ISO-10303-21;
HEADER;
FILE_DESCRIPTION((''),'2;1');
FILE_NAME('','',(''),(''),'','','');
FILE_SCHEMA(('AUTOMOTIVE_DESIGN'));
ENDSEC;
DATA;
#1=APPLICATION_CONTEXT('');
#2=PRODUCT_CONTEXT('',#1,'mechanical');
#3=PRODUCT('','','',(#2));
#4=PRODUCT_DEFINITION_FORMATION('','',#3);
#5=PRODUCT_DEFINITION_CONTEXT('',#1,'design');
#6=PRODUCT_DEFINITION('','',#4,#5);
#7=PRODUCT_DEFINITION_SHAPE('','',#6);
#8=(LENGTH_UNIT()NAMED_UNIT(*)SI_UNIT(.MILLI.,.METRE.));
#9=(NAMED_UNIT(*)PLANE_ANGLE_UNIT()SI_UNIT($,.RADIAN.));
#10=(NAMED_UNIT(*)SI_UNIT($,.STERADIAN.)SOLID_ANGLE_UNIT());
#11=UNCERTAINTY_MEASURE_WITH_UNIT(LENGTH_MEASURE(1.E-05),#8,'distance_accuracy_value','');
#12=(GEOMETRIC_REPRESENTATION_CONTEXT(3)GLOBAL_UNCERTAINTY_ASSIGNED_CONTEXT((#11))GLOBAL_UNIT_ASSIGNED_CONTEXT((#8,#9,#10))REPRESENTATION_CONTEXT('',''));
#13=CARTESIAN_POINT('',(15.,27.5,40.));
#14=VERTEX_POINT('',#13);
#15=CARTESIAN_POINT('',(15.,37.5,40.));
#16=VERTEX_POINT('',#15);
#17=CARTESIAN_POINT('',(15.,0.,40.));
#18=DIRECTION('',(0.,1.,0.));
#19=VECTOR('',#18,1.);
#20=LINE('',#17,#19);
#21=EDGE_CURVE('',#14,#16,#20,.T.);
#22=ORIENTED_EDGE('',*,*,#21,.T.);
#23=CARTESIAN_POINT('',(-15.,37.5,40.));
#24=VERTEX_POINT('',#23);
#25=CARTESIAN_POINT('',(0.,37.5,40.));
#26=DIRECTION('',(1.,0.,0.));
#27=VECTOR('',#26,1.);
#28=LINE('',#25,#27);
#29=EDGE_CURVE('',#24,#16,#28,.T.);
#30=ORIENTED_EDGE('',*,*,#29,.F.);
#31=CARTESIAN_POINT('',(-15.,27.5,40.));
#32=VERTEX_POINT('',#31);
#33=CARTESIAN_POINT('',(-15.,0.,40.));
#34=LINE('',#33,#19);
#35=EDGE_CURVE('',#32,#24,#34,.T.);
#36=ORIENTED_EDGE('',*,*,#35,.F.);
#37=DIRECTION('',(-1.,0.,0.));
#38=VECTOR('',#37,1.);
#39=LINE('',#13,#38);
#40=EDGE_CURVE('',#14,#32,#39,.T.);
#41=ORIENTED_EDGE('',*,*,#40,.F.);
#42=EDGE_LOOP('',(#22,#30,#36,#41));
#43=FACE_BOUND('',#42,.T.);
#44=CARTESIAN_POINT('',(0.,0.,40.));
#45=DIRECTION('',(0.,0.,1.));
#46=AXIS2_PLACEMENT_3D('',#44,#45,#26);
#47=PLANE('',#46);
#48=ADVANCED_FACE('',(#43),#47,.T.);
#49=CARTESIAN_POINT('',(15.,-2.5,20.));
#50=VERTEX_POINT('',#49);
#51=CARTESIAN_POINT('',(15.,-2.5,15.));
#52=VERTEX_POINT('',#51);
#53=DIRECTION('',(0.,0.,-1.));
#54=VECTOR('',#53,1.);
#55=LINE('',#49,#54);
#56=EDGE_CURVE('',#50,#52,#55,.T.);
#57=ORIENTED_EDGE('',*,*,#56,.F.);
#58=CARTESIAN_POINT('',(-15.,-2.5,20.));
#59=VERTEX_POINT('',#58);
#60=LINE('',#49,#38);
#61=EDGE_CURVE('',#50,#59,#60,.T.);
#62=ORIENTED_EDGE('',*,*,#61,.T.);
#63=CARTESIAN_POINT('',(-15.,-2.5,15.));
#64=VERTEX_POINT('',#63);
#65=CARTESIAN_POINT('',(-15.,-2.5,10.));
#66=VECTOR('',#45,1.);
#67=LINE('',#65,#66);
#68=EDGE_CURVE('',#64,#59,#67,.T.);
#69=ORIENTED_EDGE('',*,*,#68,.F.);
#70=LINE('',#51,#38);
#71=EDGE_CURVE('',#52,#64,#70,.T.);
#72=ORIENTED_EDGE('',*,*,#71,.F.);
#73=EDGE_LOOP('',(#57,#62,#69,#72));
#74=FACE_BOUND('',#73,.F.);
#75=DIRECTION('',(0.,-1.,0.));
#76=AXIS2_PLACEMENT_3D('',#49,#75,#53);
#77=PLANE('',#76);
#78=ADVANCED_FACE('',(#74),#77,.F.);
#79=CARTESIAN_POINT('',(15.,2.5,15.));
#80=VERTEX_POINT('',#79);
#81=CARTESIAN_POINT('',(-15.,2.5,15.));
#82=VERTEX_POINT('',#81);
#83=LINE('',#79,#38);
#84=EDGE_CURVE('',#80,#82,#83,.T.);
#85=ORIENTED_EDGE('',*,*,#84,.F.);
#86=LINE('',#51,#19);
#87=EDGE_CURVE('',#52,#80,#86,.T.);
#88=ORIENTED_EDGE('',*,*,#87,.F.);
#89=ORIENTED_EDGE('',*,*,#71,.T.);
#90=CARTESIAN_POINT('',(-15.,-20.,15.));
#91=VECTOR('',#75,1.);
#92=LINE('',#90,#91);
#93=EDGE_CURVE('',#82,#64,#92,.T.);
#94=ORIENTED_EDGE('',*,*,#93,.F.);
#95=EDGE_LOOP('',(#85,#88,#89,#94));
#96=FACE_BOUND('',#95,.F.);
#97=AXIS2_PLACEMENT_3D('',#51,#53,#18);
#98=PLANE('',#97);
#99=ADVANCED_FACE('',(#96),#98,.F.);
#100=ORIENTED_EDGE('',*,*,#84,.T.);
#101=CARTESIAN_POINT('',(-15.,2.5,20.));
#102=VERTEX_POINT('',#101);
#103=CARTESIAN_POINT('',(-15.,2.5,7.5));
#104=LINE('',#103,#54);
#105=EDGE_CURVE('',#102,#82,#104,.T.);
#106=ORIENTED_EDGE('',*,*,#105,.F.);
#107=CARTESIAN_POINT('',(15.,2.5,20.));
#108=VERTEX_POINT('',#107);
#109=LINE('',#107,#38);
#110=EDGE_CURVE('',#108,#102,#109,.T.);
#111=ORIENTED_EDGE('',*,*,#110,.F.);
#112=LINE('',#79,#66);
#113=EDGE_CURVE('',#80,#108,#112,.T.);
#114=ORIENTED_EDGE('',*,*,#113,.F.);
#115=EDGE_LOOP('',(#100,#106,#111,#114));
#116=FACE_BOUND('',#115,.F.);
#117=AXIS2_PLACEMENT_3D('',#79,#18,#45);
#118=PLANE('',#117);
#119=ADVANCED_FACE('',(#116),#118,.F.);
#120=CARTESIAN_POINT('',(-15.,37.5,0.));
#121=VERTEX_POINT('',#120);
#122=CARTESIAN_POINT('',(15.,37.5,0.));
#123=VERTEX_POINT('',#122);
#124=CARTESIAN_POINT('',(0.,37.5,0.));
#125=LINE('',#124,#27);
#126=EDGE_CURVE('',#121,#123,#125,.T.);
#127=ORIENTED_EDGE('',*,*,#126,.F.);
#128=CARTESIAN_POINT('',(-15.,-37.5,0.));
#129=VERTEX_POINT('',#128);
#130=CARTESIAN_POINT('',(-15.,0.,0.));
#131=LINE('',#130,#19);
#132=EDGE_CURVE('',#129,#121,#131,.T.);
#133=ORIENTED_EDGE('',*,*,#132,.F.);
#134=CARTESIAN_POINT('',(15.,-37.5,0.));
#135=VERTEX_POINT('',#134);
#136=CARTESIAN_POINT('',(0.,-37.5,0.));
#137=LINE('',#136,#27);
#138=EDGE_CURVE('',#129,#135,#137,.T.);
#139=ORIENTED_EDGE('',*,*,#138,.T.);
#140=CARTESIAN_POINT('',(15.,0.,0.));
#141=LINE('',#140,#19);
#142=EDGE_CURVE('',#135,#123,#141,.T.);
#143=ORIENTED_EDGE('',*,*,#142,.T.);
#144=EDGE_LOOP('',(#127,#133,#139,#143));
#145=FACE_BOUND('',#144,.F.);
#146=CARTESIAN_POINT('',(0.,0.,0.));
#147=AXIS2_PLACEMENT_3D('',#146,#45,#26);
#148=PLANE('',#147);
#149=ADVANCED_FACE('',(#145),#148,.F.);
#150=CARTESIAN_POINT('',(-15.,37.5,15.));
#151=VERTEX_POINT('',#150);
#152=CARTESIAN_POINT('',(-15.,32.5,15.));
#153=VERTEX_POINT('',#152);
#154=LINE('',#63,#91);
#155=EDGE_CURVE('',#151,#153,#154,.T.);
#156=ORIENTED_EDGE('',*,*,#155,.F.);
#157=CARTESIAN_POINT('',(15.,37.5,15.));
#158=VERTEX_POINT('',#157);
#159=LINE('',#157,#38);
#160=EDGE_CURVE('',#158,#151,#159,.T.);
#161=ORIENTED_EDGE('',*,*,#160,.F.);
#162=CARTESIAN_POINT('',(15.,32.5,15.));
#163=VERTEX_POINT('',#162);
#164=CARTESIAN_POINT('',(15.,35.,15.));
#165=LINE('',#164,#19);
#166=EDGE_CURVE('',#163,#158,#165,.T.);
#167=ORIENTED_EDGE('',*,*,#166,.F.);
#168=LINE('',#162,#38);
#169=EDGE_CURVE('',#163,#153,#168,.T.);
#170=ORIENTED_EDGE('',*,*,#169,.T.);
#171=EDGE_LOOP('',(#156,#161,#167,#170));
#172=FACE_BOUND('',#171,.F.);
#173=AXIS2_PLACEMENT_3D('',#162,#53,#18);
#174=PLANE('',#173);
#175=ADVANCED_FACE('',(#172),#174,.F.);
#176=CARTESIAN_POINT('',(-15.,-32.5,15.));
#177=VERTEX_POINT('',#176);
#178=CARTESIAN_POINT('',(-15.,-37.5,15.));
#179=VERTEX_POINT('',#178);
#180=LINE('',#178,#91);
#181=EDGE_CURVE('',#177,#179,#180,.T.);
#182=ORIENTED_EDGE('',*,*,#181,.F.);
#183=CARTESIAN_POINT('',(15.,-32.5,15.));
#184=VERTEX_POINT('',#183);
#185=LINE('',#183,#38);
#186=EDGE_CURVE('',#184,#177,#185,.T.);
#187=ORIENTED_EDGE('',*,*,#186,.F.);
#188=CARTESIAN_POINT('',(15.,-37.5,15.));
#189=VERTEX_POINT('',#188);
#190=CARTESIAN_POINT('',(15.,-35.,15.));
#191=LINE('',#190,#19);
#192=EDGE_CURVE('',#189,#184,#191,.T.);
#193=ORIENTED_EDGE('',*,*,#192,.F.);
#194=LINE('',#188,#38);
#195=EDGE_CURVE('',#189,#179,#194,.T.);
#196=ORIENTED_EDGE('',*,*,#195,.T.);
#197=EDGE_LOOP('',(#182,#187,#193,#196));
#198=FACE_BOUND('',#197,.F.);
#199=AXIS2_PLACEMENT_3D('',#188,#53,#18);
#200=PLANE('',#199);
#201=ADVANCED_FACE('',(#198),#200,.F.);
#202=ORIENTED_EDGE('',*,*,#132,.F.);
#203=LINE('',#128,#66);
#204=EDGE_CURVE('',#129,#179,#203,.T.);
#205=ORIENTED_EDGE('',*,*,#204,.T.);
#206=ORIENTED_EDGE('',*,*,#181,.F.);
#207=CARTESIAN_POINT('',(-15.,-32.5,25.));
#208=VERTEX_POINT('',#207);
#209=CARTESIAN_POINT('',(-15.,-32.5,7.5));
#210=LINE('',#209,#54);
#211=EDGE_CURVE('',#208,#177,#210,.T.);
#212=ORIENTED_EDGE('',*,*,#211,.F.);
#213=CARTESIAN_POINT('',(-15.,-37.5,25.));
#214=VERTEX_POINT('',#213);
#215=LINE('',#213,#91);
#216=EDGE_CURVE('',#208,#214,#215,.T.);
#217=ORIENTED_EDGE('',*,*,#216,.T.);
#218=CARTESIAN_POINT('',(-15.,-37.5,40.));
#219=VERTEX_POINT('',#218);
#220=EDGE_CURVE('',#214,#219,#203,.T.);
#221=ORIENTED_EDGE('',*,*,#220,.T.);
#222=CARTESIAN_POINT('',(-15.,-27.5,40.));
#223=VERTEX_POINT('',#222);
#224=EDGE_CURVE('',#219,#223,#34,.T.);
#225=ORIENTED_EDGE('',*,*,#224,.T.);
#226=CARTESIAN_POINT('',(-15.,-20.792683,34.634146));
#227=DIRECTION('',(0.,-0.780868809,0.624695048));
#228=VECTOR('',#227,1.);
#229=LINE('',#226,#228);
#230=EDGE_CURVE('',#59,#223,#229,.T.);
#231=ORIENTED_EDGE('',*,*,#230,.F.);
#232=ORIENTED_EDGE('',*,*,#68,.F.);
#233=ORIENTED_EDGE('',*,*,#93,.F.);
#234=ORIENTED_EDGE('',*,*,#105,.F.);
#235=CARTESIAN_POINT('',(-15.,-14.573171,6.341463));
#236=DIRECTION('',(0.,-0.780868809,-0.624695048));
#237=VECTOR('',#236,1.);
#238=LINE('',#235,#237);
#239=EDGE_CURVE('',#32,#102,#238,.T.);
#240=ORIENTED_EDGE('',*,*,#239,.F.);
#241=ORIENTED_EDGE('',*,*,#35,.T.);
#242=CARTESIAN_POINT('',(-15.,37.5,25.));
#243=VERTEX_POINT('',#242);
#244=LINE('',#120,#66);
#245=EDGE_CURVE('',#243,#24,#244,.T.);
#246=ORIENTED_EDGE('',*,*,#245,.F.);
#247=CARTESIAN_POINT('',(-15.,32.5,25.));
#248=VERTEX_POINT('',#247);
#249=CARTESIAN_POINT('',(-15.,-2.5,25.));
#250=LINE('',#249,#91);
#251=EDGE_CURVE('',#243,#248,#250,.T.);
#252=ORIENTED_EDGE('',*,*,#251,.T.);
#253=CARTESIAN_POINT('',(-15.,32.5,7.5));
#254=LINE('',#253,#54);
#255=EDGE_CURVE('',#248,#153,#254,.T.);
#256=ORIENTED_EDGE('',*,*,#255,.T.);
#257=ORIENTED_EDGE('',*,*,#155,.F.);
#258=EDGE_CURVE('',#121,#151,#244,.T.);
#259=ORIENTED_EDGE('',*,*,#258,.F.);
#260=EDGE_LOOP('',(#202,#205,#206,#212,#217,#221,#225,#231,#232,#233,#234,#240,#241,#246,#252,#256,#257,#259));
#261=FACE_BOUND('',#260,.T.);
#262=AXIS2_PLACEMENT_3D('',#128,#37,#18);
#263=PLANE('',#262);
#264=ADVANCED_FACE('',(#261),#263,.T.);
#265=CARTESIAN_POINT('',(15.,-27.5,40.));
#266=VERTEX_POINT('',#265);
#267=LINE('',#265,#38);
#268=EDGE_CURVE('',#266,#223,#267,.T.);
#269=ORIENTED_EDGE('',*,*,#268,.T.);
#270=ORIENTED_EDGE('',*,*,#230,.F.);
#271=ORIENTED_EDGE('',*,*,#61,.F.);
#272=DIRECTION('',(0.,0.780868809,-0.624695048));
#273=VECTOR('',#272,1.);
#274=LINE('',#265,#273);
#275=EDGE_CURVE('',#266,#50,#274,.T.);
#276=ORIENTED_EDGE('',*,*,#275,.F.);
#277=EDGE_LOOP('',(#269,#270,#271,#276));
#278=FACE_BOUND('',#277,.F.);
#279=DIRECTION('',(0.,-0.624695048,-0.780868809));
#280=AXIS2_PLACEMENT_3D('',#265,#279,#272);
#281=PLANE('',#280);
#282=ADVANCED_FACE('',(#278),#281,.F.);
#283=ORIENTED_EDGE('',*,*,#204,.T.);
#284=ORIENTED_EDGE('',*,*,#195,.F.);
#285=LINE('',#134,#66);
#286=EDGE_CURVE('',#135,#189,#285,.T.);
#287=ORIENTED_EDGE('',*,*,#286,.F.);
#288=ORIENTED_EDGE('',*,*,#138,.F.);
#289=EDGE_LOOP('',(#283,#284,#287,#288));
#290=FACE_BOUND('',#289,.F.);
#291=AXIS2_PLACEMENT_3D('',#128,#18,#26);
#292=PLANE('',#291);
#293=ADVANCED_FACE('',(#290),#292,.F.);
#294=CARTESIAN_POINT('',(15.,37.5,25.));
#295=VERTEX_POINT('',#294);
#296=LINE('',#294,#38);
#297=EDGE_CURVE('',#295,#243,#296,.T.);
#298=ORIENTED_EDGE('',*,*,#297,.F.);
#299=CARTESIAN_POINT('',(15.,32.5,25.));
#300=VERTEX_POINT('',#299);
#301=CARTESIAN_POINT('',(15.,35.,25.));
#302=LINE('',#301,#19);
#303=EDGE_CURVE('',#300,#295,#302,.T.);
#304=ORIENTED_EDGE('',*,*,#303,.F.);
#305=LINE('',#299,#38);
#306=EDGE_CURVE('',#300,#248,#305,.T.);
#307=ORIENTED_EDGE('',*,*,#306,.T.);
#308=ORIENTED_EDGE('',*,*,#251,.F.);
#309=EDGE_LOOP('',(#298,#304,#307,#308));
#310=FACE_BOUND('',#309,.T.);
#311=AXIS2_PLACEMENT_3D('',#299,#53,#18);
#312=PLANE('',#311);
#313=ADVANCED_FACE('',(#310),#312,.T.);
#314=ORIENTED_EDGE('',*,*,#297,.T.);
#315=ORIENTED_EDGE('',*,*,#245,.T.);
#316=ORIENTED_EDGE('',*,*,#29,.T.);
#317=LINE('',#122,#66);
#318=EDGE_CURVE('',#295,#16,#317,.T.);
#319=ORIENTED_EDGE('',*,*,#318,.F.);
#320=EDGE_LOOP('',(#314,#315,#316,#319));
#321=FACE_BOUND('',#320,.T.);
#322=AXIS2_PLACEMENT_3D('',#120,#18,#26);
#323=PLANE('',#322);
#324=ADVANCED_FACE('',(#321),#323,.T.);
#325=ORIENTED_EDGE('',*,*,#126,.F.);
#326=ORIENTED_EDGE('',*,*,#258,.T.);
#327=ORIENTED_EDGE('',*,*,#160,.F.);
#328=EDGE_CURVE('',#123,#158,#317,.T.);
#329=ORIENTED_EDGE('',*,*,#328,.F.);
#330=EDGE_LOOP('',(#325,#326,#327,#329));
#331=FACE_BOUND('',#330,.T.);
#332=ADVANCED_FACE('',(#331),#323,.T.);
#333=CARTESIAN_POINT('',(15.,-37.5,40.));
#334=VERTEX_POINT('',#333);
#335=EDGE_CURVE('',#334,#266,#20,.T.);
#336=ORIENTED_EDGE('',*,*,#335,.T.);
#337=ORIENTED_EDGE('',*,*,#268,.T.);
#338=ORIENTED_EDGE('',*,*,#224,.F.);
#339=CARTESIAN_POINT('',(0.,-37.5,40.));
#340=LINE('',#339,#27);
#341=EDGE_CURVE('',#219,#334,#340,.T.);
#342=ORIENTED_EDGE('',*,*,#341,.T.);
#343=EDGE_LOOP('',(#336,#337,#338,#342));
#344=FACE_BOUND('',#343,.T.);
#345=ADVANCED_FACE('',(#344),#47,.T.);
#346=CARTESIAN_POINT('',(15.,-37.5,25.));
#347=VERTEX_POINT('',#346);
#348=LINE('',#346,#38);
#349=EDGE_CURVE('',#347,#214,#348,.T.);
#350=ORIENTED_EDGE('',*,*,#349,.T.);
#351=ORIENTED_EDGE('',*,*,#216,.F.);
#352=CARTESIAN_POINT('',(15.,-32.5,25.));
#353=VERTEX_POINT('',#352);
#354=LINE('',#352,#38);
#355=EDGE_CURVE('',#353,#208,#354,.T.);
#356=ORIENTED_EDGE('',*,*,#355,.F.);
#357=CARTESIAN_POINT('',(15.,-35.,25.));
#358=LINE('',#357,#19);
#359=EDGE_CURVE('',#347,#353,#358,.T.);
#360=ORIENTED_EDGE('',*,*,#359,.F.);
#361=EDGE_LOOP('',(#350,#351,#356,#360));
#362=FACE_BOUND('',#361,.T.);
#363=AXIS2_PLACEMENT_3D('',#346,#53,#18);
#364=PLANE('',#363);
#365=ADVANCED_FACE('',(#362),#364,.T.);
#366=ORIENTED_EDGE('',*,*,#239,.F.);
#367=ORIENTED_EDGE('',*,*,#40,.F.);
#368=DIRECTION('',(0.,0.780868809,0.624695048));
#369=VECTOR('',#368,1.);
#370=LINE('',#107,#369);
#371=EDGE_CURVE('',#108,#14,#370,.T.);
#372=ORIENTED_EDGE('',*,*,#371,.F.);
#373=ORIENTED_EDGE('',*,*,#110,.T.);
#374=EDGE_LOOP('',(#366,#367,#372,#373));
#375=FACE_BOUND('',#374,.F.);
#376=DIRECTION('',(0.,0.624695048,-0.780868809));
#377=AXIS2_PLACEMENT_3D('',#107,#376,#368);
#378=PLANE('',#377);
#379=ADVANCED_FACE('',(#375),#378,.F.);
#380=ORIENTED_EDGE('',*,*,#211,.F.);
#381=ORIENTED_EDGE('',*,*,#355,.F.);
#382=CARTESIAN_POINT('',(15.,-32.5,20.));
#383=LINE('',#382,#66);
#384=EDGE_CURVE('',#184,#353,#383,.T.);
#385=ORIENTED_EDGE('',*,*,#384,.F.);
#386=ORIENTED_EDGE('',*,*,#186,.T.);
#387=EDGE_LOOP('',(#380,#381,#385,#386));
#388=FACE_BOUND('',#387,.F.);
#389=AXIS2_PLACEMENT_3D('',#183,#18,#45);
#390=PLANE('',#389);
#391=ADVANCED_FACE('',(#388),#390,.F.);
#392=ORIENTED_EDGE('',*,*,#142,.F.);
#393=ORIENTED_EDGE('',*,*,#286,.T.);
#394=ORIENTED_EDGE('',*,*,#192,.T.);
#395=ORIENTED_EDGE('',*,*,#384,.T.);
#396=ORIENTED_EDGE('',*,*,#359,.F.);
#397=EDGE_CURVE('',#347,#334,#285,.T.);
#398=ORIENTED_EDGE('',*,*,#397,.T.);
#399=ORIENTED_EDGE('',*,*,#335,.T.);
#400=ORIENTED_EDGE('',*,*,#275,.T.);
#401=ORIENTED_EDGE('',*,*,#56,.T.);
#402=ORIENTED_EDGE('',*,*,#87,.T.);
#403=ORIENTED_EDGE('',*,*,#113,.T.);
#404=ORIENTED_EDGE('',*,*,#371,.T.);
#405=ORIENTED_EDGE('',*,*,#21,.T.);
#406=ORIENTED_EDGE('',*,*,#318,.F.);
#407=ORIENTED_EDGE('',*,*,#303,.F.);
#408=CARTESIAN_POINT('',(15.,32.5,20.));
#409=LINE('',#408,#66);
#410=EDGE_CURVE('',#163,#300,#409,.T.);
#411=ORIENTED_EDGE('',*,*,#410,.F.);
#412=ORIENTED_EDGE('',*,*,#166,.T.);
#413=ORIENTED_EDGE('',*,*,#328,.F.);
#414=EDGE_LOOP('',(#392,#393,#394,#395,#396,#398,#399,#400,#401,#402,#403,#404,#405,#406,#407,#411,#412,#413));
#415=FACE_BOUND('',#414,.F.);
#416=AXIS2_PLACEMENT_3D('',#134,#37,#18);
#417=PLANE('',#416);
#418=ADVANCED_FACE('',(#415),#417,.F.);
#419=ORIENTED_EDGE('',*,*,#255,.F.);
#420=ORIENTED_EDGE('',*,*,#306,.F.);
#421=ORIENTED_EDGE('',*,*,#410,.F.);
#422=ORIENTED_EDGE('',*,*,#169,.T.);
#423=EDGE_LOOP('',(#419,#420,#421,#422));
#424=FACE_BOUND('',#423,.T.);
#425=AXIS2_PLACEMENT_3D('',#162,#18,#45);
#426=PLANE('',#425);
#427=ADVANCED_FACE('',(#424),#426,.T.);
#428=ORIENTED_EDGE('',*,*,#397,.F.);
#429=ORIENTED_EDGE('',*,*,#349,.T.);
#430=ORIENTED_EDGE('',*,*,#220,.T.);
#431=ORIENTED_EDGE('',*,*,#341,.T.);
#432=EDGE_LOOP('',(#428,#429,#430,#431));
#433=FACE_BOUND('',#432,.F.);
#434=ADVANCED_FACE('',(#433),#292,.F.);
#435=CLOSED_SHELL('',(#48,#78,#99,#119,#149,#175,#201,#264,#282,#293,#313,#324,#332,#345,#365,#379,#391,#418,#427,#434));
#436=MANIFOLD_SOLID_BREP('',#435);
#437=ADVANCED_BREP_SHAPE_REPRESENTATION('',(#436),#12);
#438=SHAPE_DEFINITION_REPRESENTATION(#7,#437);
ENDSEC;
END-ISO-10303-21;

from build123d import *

# Parameters (mm, degrees)
F0_W     = 30
F0_H     = 75
F1_DEPTH = 40
F2_W     = 5
F2_H     = 10
F3_DEPTH = 30.001


with BuildPart() as f1:
    # F0 (on Top) → F1 (new body)
    with BuildSketch(Plane.XY):
        Rectangle(F0_W, F0_H)
    extrude(amount=F1_DEPTH)

    # F2 (on face) → F3 (cut, through all)
    with BuildSketch(Plane.YZ.offset(15)):
        with Locations((-35, 20)):
            Rectangle(F2_W, F2_H)
        with Locations((35, 20)):
            Rectangle(F2_W, F2_H)
        Polygon((-2.5, 20), (-2.5, 15), (2.5, 15), (2.5, 20), (27.5, 40), (-27.5, 40), align=None)
    extrude(amount=-F3_DEPTH, mode=Mode.SUBTRACT)


solid = f1.part
